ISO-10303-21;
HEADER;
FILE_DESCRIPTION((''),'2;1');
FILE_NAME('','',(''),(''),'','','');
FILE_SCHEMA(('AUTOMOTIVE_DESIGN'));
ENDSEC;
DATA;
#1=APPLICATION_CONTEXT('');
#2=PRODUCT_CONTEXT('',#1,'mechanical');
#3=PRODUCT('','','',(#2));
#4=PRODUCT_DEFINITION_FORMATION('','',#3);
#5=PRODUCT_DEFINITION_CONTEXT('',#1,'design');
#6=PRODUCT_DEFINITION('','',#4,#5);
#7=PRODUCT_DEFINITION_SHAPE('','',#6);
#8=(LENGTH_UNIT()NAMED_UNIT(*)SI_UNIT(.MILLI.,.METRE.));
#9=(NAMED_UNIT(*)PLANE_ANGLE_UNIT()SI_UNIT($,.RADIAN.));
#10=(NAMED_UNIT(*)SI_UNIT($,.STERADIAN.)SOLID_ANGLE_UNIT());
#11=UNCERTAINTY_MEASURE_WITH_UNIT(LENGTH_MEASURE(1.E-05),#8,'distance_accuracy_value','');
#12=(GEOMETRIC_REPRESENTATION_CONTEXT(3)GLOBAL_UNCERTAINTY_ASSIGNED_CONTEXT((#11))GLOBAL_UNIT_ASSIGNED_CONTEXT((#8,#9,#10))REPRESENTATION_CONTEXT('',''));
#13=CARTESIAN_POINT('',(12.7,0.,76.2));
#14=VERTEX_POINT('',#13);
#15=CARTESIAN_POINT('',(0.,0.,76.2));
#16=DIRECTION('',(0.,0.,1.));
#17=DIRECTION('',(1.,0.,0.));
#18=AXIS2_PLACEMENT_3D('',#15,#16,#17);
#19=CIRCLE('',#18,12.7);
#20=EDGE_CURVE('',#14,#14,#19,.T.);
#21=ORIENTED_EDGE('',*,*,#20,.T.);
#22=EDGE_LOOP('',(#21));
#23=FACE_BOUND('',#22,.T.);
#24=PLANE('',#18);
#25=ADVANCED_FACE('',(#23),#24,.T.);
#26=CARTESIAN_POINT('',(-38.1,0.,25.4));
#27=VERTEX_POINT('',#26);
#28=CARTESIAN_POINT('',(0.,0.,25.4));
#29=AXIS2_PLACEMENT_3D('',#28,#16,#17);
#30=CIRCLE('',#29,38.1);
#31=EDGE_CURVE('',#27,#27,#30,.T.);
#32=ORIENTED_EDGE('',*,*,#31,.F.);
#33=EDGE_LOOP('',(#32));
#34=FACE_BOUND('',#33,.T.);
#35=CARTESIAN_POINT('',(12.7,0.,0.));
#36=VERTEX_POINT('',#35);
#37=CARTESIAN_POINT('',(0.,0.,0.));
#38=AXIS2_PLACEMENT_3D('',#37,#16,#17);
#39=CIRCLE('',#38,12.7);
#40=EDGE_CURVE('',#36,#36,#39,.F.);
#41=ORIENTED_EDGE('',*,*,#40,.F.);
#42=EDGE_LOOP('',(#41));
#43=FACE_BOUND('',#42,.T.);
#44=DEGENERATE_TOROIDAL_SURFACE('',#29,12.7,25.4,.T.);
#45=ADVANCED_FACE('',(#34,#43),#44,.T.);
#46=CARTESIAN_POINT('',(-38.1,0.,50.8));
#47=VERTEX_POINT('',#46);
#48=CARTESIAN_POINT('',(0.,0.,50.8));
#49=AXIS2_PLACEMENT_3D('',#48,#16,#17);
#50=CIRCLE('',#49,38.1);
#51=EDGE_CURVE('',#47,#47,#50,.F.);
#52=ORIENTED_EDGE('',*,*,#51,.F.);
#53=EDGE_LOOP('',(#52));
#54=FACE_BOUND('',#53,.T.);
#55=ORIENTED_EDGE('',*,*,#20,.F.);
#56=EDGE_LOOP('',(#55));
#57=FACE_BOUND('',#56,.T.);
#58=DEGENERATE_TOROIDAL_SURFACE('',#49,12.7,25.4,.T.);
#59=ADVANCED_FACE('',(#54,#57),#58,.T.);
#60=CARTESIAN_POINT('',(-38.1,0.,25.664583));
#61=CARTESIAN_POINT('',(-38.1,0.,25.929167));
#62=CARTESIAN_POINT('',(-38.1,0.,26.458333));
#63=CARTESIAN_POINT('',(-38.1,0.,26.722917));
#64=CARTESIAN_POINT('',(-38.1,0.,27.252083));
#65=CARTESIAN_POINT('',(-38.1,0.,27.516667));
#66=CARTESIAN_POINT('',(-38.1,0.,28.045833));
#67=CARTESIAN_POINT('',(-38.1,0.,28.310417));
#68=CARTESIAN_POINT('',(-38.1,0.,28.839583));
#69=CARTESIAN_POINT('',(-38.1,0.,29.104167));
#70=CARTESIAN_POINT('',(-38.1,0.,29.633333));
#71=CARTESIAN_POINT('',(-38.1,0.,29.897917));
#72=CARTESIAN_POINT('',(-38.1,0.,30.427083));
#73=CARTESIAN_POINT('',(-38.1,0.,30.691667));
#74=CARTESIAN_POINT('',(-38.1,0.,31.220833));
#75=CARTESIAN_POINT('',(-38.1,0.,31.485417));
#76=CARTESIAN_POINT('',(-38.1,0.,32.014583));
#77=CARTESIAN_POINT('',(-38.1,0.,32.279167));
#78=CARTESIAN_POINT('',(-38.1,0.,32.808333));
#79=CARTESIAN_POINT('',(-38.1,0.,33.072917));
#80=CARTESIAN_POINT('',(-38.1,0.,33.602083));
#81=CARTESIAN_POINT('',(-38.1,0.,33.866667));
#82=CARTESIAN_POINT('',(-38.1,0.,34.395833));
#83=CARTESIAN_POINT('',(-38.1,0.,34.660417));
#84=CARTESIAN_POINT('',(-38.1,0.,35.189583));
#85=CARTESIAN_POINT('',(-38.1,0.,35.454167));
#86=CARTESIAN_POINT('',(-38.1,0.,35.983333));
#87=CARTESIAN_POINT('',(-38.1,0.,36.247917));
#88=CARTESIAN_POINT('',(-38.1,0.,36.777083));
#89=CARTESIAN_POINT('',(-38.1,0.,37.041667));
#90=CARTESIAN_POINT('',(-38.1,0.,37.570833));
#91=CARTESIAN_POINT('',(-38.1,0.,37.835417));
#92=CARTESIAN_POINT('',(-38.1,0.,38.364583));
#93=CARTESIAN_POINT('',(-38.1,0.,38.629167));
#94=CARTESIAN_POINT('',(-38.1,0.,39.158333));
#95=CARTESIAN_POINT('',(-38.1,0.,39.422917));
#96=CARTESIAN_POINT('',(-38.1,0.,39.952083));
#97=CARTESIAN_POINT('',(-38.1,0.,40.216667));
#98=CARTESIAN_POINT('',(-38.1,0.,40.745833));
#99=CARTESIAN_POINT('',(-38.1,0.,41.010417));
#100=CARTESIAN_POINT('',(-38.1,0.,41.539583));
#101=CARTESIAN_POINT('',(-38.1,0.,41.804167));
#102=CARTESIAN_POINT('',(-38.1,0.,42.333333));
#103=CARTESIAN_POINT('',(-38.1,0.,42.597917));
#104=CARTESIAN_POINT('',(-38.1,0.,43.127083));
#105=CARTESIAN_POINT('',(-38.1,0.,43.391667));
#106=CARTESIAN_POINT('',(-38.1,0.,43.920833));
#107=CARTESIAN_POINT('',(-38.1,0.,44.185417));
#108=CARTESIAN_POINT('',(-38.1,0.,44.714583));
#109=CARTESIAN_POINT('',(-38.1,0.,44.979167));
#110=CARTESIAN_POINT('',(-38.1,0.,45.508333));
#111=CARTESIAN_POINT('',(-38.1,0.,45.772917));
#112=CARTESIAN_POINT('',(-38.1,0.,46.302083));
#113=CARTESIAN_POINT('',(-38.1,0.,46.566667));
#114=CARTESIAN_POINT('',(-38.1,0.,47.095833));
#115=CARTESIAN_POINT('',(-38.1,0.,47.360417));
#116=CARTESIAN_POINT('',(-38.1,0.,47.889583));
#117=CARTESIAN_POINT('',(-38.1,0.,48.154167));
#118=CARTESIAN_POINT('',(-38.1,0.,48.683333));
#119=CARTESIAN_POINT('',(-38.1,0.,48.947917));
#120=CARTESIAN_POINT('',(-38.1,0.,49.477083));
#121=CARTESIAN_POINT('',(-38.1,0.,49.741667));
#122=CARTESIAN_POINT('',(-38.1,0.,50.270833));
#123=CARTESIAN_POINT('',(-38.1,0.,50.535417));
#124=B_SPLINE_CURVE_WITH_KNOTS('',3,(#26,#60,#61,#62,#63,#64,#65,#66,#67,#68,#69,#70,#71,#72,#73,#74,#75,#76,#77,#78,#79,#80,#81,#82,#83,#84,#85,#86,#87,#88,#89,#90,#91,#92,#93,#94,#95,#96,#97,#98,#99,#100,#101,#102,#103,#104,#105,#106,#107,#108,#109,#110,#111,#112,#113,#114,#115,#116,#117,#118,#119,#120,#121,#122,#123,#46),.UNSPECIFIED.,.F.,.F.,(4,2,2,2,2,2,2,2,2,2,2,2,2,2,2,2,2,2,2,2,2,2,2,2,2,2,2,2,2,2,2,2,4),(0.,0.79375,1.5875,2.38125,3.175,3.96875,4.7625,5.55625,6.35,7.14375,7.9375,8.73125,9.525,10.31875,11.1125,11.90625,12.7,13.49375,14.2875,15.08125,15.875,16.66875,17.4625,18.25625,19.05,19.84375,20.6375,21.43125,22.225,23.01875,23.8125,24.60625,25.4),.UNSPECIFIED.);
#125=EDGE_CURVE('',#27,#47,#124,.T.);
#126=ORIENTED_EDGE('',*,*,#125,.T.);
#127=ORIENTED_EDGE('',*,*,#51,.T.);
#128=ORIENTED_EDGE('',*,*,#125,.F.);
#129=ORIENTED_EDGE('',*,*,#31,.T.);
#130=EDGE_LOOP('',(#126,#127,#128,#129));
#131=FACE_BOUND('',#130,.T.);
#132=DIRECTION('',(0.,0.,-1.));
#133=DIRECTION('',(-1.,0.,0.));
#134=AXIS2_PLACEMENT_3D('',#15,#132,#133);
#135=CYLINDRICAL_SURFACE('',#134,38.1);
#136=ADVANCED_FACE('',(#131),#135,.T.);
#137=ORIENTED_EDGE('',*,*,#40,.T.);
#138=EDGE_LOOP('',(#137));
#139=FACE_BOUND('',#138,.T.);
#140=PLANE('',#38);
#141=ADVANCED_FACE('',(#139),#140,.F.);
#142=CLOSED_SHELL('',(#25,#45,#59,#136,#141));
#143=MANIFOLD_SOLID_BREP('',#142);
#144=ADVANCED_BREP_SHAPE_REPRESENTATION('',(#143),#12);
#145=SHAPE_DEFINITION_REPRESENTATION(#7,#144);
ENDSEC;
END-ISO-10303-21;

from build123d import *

# Parameters (mm, degrees)
ESQUISSE1_R        = 38.1
BOSS_EXTRU_1_DEPTH = 76.2
CONG_1_R           = 25.4


with BuildPart() as part:
    # Esquisse1 → Boss.-Extru.1 (new body)
    with BuildSketch(Plane.XY):
        with Locations(Location((0, 0, 0), (0, 0, 180))):
            Circle(ESQUISSE1_R)
    extrude(amount=BOSS_EXTRU_1_DEPTH)

    # Congé1
    cong_1_edges = [part.edges().sort_by_distance(p)[0] for p in [
        (38.1, 0, 0),
        (38.1, 0, 76.2),
    ]]
    fillet(cong_1_edges, radius=CONG_1_R)


solid = part.part
